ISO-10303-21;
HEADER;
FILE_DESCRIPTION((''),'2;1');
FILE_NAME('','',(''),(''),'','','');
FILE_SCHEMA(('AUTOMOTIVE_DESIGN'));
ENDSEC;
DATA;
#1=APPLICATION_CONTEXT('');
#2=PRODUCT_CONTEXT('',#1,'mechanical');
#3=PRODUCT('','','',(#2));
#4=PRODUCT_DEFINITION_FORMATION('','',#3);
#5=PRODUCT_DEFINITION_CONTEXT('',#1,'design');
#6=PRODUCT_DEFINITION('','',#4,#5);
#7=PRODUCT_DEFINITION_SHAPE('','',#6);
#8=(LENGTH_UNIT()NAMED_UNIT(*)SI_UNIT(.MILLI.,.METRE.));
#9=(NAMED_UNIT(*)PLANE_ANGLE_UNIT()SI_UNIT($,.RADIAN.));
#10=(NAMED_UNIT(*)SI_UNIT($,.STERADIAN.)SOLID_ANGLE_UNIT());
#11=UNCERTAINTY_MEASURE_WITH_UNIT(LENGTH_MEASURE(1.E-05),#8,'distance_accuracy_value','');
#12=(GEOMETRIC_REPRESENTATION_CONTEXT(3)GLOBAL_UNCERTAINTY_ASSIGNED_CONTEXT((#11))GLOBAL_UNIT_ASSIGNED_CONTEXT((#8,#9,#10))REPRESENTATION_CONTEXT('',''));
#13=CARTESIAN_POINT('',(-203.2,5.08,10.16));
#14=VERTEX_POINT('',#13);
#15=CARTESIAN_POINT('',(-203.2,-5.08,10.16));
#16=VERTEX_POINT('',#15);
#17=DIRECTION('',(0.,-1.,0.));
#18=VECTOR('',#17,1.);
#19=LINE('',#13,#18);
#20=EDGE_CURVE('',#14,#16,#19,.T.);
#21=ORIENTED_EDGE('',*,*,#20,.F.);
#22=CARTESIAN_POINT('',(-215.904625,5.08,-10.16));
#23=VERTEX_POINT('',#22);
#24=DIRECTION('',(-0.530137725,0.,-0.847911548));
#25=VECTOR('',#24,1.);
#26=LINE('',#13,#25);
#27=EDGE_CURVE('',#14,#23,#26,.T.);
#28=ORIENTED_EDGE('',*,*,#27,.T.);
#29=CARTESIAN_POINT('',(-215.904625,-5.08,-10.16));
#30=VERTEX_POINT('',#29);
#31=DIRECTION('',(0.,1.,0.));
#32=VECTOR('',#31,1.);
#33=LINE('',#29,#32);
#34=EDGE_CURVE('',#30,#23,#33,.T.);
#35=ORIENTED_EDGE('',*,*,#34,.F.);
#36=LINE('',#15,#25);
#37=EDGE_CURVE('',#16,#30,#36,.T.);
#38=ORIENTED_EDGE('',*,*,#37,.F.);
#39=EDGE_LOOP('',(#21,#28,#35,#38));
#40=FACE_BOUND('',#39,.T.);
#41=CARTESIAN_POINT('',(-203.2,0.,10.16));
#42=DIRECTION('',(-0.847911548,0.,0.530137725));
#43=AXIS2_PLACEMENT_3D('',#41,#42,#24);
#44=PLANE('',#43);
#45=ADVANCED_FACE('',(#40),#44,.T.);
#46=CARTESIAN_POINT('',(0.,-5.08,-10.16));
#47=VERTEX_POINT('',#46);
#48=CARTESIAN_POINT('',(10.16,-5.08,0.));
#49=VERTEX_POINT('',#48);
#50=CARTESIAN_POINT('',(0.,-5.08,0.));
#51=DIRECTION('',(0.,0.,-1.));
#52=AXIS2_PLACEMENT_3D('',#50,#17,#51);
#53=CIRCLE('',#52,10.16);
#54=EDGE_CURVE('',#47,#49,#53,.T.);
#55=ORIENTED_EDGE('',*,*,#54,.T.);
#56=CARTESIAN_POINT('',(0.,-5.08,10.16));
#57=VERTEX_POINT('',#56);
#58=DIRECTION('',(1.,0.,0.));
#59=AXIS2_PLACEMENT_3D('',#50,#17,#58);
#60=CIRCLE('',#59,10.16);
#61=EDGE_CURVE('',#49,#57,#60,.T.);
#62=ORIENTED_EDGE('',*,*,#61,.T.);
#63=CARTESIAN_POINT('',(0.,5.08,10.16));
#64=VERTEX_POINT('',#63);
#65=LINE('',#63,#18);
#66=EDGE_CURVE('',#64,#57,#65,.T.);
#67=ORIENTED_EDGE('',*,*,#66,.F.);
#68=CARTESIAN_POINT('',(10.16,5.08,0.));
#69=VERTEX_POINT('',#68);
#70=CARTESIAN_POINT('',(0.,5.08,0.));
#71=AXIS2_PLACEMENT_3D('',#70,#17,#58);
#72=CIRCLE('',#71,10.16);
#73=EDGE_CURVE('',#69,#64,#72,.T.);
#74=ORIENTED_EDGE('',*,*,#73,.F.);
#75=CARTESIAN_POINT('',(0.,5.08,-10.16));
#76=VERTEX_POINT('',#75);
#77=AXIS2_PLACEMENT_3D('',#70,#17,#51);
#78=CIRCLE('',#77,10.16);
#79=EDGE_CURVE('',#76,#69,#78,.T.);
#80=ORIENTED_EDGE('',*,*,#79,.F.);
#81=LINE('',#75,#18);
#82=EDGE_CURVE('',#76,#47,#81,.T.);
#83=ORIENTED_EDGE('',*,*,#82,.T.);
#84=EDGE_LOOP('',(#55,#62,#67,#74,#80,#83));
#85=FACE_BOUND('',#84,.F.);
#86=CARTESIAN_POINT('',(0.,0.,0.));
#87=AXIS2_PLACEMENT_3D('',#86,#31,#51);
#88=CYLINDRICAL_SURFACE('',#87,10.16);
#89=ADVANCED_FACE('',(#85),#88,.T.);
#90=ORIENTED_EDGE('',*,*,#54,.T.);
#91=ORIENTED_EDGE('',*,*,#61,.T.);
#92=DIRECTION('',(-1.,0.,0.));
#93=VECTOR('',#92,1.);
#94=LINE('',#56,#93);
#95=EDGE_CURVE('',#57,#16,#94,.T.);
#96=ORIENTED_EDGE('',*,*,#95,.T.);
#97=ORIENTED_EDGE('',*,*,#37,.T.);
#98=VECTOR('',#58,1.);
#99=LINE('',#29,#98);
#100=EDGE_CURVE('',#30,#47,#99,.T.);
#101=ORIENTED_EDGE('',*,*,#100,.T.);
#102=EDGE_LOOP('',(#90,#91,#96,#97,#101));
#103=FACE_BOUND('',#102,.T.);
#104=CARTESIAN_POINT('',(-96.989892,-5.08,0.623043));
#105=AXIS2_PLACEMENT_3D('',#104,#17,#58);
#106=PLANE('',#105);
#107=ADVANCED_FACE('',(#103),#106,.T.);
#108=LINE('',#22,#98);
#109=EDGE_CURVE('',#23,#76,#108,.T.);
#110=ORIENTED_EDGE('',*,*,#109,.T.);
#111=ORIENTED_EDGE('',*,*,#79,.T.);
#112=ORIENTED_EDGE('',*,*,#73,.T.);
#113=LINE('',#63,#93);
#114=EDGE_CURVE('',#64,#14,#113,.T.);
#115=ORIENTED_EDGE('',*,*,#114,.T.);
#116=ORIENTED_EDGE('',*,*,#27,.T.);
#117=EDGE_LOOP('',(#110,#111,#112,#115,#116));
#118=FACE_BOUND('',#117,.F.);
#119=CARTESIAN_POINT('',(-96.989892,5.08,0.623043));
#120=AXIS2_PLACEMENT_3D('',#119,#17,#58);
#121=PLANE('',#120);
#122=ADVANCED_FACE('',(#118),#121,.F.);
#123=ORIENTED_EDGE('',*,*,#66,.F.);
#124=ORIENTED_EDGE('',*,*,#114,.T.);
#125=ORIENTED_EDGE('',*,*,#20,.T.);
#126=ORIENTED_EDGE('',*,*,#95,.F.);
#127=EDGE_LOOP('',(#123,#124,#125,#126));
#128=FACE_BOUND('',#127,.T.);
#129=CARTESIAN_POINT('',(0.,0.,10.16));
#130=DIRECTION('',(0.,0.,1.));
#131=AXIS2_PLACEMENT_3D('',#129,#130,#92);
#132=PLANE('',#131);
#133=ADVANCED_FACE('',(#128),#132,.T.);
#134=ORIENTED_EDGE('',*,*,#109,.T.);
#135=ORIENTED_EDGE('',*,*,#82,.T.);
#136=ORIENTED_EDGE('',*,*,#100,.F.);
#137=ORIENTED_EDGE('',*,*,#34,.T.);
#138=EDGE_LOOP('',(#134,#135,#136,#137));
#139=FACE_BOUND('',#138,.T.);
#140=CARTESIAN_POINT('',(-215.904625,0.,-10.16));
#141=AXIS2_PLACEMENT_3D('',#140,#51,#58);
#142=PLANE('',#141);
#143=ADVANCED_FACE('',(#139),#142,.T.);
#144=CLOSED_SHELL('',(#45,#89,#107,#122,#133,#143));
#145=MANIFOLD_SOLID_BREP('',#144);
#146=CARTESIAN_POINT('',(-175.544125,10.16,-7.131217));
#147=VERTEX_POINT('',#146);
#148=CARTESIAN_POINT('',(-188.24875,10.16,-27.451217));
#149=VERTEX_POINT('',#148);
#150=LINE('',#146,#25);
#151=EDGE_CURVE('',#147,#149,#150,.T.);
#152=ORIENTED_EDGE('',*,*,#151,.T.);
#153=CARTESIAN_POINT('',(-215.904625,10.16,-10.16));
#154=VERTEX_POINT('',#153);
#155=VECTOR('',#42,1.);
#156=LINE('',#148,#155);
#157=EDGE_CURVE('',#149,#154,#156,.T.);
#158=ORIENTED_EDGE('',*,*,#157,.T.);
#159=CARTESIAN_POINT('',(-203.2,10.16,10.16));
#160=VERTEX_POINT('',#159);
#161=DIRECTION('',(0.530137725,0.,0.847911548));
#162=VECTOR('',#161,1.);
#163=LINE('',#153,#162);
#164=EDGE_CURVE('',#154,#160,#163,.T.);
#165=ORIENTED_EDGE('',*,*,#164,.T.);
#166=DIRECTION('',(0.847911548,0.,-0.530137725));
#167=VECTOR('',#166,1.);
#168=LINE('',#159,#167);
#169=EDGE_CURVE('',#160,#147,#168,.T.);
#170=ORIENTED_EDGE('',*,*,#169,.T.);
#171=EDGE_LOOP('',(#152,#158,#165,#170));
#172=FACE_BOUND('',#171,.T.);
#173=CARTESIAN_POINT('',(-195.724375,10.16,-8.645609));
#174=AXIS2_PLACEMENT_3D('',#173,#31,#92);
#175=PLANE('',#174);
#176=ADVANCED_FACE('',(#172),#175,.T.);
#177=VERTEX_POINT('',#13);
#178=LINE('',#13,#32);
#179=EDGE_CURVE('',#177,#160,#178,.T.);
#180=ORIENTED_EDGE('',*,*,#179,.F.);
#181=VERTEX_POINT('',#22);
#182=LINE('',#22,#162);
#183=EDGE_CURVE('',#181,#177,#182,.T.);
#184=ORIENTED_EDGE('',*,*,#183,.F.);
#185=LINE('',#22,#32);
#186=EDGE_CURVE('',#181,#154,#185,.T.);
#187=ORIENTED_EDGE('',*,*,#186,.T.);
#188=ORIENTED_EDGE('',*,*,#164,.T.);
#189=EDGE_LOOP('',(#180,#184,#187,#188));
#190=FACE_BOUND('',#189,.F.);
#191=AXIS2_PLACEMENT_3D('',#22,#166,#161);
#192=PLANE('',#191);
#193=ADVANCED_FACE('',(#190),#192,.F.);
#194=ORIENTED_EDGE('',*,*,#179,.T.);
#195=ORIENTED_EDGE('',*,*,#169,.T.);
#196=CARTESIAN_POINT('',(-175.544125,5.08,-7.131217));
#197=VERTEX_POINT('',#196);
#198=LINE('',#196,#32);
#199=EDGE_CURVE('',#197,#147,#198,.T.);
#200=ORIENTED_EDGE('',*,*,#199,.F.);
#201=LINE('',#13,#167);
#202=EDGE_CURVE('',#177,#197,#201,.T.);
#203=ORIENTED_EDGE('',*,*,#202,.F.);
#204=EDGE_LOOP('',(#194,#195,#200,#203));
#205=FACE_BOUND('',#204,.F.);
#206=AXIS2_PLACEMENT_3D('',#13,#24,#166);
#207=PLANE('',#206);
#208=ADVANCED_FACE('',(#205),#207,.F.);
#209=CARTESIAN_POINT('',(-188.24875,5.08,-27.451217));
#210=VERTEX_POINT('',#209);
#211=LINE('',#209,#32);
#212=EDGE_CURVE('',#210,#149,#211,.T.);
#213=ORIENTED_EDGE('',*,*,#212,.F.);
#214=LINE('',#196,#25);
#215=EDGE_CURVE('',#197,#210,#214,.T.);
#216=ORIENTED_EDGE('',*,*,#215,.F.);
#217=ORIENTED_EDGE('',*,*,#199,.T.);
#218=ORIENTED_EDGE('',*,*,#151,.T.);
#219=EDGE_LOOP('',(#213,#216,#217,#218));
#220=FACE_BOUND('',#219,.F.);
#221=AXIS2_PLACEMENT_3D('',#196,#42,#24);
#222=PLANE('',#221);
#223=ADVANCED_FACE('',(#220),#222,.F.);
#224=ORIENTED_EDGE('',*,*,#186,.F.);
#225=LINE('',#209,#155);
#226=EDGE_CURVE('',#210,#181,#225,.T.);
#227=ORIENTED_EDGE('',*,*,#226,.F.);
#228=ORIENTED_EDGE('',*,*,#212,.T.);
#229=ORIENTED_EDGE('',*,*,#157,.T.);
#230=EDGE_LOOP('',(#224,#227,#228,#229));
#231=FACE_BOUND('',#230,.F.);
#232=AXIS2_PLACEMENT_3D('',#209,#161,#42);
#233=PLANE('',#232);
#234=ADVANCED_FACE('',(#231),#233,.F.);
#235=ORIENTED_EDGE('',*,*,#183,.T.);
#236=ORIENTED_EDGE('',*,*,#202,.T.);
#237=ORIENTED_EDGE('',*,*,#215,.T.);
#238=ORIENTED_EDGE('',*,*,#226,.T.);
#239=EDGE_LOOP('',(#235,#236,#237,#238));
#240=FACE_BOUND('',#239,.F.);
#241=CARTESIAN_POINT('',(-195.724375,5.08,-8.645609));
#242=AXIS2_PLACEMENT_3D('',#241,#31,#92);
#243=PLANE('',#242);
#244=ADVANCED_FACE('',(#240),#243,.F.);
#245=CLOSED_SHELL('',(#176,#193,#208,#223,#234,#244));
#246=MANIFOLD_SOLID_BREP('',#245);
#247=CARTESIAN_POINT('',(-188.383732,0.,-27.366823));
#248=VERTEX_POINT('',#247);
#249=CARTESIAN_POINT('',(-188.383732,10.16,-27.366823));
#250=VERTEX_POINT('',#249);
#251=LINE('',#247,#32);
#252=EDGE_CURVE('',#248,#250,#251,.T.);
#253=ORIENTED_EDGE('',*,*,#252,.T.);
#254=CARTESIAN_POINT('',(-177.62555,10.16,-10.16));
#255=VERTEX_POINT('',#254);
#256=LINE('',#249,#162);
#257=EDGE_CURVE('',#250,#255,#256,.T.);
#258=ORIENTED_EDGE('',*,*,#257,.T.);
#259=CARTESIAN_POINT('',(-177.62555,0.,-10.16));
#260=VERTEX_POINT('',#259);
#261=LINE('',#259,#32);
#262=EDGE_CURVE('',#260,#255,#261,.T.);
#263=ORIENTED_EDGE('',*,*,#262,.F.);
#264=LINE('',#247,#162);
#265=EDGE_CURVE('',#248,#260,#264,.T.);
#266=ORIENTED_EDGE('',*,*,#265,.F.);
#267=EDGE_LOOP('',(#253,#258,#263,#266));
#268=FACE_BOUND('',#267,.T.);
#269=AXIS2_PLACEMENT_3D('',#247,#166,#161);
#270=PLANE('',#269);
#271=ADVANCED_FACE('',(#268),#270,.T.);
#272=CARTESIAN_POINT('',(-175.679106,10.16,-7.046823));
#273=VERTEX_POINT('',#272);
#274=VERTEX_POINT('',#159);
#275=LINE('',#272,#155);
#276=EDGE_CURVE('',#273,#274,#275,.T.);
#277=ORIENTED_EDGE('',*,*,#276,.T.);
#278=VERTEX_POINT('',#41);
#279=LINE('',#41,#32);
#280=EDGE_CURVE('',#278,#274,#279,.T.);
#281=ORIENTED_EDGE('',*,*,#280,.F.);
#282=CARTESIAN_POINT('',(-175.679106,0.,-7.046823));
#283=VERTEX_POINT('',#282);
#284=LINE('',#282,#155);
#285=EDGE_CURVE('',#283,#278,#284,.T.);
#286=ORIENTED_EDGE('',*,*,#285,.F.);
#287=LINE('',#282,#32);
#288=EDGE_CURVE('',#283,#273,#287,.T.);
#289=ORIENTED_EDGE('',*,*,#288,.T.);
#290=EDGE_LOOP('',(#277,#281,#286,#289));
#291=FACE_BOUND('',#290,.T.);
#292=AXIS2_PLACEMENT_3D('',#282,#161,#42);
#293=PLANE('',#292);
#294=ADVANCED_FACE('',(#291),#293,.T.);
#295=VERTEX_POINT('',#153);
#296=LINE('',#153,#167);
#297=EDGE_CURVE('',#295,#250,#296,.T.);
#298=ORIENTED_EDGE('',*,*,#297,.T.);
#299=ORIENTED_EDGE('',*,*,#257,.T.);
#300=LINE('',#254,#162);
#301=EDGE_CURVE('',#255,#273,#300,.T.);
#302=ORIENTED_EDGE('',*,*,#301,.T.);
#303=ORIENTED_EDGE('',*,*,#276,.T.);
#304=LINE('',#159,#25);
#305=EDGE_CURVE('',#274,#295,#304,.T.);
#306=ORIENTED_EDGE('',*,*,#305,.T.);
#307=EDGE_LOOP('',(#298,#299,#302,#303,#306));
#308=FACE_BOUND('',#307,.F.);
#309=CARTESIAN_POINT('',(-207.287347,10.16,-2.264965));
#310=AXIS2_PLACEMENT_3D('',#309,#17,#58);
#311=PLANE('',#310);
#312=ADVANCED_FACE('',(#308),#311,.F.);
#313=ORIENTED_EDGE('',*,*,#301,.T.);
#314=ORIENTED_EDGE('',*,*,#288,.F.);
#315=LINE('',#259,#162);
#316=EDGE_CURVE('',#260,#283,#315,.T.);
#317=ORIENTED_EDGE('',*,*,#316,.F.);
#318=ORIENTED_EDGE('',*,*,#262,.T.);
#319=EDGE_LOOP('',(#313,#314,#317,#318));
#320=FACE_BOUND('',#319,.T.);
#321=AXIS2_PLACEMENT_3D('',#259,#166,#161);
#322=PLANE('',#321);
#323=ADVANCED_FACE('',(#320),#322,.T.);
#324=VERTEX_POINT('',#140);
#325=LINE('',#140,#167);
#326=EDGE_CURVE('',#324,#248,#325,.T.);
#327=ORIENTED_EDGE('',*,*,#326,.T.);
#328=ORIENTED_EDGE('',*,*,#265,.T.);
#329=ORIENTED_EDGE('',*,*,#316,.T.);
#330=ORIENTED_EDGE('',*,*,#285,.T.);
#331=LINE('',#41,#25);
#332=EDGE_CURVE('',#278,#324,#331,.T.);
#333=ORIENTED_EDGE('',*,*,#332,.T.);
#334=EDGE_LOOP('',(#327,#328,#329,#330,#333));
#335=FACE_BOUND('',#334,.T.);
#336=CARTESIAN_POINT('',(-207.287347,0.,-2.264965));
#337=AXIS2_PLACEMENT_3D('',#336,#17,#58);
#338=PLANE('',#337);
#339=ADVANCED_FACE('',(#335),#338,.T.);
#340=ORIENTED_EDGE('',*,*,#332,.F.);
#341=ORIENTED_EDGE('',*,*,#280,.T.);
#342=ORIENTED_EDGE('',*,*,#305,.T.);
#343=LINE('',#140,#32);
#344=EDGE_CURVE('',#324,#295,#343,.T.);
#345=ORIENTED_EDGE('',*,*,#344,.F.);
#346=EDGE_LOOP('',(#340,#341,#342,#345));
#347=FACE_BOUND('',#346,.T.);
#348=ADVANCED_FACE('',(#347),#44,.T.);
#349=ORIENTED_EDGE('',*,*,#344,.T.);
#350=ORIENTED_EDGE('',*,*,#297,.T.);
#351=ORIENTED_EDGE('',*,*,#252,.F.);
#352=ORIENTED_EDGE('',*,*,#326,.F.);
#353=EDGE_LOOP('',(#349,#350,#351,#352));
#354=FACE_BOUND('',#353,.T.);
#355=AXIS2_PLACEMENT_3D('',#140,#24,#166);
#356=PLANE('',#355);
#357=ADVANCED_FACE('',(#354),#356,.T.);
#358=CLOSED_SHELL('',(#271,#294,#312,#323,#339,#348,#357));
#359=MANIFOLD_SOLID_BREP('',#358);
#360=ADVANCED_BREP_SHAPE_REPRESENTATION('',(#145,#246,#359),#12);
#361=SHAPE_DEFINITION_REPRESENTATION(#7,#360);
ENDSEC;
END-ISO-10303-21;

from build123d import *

# Parameters (mm, degrees)
F1_DEPTH = 5.08
F2_DEPTH = 5.08
F4_DEPTH = 5.08
F5_DEPTH = 10.16


with BuildPart() as f1:
    # F0 (on Front) → F1 (new body, symmetric)
    with BuildSketch(Plane.XZ):
        with BuildLine():
            Line((0, -10.16), (0, 10.16))
            ThreePointArc((0, 10.16), (-10.16, 0), (0, -10.16))
        make_face()
        with BuildLine():
            ThreePointArc((0, -10.16), (7.1842048969, -7.1842048969), (10.16, 0))
            ThreePointArc((10.16, 0), (7.1842048969, 7.1842048969), (0, 10.16))
            Line((0, 10.16), (0, -10.16))
        make_face()
    extrude(amount=F1_DEPTH, both=True)

    # F0 (on Front) → F2 (join, symmetric)
    with BuildSketch(Plane.XZ):
        with BuildLine():
            ThreePointArc((0, -10.16), (-10.16, 0), (0, 10.16))
            Line((0, 10.16), (-203.2, 10.16))
            Line((-203.2, 10.16), (-175.6791061841, -7.0468231431))
            Line((-175.6791061841, -7.0468231431), (-177.6255503639, -10.16))
            Line((-177.6255503639, -10.16), (-140.5866057448, -10.16))
            Line((-140.5866057448, -10.16), (0, -10.16))
        make_face()
        Polygon((-203.2, -10.16), (-203.2, 10.16), (-215.9046253878, -10.16), align=None)
        Polygon((-175.6791061841, -7.0468231431), (-203.2, 10.16), (-203.2, -10.16), (-177.6255503639, -10.16), align=None)
    extrude(amount=F2_DEPTH, both=True)


with BuildPart() as f4:
    # F3 (on face) → F4 (new body)
    with BuildSketch(Plane(origin=(0, 5.08, 0), x_dir=(-1, 0, 0), z_dir=(0, 1, 0))):
        Polygon((188.2487500092, -27.4512173453), (215.9046253878, -10.16), (203.2, 10.16), (175.5441246214, -7.1312173453), align=None)
    extrude(amount=F4_DEPTH)


with BuildPart() as f5:
    # F0 (on Front) → F5 (new body)
    with BuildSketch(Plane.XZ):
        Polygon((-203.2, -10.16), (-203.2, 10.16), (-215.9046253878, -10.16), align=None)
        Polygon((-177.6255503639, -10.16), (-203.2, -10.16), (-215.9046253878, -10.16), (-188.3837315719, -27.3668231431), align=None)
        Polygon((-175.6791061841, -7.0468231431), (-203.2, 10.16), (-203.2, -10.16), (-177.6255503639, -10.16), align=None)
    extrude(amount=-F5_DEPTH)


solid = Compound([f1.part, f4.part, f5.part])
